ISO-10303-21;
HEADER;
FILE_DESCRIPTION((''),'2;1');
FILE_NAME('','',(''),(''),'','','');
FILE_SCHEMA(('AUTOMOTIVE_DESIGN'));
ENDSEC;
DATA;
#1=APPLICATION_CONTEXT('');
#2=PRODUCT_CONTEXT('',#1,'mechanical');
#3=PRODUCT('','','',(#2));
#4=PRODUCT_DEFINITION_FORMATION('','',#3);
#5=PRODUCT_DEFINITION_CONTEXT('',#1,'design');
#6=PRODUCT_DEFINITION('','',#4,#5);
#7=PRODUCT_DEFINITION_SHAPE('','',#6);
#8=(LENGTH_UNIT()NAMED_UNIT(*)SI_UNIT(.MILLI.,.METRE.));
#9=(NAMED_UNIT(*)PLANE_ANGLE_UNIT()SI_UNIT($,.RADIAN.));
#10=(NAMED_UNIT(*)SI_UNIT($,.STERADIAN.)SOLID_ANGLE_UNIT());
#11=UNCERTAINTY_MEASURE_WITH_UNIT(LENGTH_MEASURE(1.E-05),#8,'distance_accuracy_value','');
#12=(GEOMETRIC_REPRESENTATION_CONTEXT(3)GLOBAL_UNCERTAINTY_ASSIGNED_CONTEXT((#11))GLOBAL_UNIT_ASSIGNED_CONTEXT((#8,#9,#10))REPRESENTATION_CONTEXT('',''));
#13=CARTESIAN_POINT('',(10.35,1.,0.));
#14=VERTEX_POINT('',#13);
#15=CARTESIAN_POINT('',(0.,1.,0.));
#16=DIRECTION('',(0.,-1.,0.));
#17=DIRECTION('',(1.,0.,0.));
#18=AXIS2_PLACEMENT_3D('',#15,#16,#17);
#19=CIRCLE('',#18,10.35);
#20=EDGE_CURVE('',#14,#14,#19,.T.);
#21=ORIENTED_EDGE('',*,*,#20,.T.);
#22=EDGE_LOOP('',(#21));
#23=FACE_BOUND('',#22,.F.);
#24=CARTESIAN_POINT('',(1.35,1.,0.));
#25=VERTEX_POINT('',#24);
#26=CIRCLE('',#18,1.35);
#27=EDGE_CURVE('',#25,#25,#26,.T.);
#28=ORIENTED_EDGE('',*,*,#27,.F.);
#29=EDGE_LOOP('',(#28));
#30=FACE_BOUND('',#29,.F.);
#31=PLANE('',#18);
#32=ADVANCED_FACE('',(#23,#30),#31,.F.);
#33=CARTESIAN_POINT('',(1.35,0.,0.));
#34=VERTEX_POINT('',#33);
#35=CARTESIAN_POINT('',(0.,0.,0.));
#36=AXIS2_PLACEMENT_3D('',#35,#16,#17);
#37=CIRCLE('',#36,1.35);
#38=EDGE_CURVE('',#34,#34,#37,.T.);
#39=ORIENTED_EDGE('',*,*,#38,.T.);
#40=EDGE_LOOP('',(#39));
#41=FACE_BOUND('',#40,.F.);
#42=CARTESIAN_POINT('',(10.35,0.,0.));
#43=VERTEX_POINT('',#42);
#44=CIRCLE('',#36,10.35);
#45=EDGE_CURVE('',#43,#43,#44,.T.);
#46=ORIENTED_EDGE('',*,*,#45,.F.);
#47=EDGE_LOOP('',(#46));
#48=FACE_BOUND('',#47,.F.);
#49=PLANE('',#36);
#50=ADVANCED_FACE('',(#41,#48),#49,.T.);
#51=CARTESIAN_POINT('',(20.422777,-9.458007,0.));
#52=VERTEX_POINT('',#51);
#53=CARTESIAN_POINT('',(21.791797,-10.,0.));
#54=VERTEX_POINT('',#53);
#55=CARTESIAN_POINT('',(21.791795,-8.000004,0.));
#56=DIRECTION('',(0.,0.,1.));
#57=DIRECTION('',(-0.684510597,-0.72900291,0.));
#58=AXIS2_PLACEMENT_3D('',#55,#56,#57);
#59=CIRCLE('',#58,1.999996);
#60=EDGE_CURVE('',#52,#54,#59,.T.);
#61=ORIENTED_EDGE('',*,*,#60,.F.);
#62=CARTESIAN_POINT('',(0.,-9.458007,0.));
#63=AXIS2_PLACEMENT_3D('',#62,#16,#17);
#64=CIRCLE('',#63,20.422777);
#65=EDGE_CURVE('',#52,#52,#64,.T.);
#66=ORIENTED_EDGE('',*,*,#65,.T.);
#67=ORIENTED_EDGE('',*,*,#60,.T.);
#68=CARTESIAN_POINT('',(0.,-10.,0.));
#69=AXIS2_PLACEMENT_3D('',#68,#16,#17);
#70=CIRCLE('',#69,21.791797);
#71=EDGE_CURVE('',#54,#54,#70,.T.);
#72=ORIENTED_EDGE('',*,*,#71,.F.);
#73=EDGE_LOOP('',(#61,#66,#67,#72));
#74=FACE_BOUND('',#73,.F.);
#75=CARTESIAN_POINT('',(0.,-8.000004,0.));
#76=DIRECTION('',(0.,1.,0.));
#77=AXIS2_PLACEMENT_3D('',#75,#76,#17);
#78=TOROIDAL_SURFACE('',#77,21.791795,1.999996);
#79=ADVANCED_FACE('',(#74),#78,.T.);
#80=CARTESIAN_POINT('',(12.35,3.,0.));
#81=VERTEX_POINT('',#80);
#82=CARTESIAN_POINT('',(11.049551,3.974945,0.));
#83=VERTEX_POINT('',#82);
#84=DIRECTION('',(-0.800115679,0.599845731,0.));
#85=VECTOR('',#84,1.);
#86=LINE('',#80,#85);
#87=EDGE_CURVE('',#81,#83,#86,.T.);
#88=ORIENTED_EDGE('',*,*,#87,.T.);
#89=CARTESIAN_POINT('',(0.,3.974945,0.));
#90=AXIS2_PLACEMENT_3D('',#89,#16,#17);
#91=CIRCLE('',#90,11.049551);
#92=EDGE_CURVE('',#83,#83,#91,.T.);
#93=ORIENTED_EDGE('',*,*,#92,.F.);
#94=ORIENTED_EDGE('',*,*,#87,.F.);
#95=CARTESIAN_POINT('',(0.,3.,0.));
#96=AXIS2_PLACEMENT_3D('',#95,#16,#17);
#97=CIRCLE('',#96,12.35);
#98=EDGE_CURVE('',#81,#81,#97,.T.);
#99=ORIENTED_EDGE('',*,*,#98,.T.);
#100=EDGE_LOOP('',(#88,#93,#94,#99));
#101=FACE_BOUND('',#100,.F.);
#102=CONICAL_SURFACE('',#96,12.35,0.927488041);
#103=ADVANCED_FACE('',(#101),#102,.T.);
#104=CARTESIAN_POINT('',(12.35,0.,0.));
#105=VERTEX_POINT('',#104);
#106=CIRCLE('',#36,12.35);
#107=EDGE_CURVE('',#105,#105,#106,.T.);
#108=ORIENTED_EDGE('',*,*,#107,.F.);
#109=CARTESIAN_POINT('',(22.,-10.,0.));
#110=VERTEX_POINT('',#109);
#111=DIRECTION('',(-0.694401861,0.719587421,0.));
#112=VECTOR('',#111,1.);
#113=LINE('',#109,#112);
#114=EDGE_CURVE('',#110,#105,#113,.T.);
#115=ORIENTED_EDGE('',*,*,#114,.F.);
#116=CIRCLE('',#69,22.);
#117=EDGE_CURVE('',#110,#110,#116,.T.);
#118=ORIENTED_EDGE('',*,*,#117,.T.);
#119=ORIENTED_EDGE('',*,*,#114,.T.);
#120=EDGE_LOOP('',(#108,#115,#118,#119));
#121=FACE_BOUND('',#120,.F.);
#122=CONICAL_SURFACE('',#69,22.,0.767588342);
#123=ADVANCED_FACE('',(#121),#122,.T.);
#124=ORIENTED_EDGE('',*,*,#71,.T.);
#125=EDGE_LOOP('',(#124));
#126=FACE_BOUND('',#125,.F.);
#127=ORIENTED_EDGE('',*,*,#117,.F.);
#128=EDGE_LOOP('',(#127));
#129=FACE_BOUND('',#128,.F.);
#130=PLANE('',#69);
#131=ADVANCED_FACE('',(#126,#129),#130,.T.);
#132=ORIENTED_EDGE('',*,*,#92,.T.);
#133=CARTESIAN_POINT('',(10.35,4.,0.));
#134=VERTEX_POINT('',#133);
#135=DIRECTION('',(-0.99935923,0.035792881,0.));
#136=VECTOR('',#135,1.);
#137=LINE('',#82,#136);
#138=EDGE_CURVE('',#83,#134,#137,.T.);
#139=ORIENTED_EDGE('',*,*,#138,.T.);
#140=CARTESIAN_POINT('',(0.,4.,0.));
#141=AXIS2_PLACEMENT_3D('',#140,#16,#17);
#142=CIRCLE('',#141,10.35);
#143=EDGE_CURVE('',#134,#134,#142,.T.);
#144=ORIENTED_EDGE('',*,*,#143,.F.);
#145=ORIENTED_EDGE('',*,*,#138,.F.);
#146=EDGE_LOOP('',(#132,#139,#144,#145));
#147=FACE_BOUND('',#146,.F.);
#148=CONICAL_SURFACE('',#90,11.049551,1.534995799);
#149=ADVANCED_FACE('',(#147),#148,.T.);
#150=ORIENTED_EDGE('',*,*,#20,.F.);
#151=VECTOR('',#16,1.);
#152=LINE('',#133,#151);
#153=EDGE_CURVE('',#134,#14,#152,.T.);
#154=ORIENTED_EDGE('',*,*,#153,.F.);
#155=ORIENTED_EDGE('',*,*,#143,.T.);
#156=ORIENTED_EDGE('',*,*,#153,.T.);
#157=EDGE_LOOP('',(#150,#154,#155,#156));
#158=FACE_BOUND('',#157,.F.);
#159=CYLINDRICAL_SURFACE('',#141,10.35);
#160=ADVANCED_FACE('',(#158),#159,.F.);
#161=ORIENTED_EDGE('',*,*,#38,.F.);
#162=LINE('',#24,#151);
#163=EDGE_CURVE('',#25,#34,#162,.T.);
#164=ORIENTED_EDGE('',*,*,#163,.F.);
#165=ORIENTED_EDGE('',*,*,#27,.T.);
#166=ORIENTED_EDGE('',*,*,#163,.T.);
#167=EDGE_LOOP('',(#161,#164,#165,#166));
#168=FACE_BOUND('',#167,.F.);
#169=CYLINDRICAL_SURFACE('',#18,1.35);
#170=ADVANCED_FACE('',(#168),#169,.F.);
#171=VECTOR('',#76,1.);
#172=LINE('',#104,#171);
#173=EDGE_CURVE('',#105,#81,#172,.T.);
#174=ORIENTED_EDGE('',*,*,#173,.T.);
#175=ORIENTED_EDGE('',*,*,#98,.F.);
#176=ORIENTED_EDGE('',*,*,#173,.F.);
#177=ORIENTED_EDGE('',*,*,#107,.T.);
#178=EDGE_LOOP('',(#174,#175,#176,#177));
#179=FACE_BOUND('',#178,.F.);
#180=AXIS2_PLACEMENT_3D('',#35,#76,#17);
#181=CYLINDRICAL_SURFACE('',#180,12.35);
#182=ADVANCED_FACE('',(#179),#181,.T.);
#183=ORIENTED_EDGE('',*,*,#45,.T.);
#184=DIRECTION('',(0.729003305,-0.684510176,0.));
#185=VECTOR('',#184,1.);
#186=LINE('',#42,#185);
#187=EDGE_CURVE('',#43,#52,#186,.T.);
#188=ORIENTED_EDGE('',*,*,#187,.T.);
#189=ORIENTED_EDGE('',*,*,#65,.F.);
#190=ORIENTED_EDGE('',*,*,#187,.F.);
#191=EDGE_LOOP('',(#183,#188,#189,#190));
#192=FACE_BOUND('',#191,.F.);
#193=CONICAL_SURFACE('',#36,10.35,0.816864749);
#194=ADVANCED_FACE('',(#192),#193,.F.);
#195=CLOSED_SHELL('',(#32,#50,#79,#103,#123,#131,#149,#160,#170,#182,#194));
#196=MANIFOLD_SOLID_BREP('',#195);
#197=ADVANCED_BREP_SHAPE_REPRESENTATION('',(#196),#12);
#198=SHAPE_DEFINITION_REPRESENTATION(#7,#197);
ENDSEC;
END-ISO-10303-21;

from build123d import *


with BuildPart() as f1:
    # F0 (on Top) → F1 (revolve)
    with BuildSketch(Plane.XY):
        with BuildLine():
            Line((22, -10), (12.35, 0))
            Line((12.35, 0), (10.35, 0))
            Line((10.35, 0), (20.422777, -9.458007))
            ThreePointArc((20.422777, -9.458007), (21.055595, -9.859572), (21.791797, -10))
            Line((21.791797, -10), (22, -10))
        make_face()
        Polygon((2.037337, 0), (10.35, 0), (10.35, 1), (1.35, 1), (1.35, 0), align=None)
        Polygon((10.35, 0), (12.35, 0), (12.35, 3), (10.35, 3), (10.35, 1), align=None)
        Polygon((10.35, 3), (12.35, 3), (11.049551, 3.974945), (10.35, 4), align=None)
    revolve(axis=Axis((0, -5, 0), (0, -1, 0)))


solid = f1.part
